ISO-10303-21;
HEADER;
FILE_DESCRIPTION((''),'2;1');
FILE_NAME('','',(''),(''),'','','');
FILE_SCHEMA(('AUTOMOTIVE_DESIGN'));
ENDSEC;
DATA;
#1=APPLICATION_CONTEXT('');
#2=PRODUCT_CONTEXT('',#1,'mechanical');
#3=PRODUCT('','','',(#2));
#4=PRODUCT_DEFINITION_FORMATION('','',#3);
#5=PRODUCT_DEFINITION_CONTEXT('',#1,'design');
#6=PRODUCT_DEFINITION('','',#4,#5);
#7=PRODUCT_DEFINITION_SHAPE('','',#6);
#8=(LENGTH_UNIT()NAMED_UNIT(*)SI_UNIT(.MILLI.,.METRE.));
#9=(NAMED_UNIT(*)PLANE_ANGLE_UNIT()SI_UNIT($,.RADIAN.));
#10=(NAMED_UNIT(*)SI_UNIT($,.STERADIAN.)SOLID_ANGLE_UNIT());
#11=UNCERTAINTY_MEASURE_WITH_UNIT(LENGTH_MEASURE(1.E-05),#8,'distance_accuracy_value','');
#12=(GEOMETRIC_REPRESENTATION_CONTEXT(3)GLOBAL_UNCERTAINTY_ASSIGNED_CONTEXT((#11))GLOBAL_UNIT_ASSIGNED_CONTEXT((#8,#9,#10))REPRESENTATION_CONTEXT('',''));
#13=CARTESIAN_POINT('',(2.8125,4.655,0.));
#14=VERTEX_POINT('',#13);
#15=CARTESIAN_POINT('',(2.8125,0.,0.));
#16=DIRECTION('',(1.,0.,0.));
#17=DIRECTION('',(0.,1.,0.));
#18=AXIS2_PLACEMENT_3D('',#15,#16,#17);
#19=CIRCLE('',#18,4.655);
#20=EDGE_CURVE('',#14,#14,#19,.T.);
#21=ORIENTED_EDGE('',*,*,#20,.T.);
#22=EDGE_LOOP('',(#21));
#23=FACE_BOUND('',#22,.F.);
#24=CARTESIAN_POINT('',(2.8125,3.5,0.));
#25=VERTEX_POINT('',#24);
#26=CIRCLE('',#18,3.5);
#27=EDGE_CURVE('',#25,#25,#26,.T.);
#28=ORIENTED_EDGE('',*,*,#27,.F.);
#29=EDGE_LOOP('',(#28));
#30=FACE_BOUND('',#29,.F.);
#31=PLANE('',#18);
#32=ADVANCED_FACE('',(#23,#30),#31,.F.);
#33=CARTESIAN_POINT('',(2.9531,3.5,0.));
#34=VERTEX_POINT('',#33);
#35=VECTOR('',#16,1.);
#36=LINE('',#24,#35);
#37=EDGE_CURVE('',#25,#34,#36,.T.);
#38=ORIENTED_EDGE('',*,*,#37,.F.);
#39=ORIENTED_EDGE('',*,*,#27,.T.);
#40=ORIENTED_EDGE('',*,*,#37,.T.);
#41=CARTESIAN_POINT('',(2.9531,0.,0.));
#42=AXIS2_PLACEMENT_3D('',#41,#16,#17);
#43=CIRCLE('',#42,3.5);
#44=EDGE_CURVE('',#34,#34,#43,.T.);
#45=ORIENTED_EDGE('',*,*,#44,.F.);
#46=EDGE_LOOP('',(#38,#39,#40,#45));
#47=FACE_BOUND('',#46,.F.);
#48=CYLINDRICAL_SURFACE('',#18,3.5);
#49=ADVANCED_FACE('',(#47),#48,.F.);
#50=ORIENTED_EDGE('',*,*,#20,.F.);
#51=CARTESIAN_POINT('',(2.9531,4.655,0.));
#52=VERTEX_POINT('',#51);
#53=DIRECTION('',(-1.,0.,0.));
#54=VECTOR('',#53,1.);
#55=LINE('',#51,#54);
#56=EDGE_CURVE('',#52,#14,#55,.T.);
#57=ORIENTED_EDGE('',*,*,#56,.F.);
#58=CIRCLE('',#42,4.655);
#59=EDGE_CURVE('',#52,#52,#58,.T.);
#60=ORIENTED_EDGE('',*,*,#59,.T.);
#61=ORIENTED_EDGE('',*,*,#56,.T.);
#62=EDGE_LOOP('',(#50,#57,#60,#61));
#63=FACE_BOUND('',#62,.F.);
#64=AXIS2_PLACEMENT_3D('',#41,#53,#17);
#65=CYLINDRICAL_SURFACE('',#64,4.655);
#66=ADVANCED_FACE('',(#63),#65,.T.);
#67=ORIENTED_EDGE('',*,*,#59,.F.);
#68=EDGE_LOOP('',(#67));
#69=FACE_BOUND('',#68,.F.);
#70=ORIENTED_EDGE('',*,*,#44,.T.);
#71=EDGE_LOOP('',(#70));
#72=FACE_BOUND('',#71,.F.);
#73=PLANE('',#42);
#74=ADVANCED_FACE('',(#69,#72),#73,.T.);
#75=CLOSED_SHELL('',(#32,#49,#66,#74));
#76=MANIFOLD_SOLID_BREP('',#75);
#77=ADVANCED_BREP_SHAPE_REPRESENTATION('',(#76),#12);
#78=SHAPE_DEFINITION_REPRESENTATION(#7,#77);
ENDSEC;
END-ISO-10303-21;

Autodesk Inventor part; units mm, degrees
sketch "Sketch_1" plane through (0, 0, 0) normal (0, 0, 1) x (1, 0, 0)
  line L0 (2.9531, 0) -> (2.8125, 0)
  line L1 (2.8125, 3.5) -> (2.9531, 3.5)
  line L2 (2.9531, 3.5) -> (2.9531, 4.655)
  line L3 (2.9531, 4.655) -> (2.8125, 4.655)
  line L4 (2.8125, 4.655) -> (2.8125, 3.5)
revolve "Revolution1" add sketch "Sketch_1" angle 360 about axis through (2.9531, 0, 0) along (1, 0, 0)
ref_plane "ip_st_1_XY" through (2.8125, 0, 0) normal (1, 0, 0) x (0, 0, -1)
ref_plane "ip_st_1_YZ" through (2.8125, 0, 0) normal (0, 0, -1) x (0, 1, 0)
ref_plane "ip_st_1_ZX" through (2.8125, 0, 0) normal (0, 1, 0) x (1, 0, 0)
properties part number "MF106ZZ1 Shield2"
